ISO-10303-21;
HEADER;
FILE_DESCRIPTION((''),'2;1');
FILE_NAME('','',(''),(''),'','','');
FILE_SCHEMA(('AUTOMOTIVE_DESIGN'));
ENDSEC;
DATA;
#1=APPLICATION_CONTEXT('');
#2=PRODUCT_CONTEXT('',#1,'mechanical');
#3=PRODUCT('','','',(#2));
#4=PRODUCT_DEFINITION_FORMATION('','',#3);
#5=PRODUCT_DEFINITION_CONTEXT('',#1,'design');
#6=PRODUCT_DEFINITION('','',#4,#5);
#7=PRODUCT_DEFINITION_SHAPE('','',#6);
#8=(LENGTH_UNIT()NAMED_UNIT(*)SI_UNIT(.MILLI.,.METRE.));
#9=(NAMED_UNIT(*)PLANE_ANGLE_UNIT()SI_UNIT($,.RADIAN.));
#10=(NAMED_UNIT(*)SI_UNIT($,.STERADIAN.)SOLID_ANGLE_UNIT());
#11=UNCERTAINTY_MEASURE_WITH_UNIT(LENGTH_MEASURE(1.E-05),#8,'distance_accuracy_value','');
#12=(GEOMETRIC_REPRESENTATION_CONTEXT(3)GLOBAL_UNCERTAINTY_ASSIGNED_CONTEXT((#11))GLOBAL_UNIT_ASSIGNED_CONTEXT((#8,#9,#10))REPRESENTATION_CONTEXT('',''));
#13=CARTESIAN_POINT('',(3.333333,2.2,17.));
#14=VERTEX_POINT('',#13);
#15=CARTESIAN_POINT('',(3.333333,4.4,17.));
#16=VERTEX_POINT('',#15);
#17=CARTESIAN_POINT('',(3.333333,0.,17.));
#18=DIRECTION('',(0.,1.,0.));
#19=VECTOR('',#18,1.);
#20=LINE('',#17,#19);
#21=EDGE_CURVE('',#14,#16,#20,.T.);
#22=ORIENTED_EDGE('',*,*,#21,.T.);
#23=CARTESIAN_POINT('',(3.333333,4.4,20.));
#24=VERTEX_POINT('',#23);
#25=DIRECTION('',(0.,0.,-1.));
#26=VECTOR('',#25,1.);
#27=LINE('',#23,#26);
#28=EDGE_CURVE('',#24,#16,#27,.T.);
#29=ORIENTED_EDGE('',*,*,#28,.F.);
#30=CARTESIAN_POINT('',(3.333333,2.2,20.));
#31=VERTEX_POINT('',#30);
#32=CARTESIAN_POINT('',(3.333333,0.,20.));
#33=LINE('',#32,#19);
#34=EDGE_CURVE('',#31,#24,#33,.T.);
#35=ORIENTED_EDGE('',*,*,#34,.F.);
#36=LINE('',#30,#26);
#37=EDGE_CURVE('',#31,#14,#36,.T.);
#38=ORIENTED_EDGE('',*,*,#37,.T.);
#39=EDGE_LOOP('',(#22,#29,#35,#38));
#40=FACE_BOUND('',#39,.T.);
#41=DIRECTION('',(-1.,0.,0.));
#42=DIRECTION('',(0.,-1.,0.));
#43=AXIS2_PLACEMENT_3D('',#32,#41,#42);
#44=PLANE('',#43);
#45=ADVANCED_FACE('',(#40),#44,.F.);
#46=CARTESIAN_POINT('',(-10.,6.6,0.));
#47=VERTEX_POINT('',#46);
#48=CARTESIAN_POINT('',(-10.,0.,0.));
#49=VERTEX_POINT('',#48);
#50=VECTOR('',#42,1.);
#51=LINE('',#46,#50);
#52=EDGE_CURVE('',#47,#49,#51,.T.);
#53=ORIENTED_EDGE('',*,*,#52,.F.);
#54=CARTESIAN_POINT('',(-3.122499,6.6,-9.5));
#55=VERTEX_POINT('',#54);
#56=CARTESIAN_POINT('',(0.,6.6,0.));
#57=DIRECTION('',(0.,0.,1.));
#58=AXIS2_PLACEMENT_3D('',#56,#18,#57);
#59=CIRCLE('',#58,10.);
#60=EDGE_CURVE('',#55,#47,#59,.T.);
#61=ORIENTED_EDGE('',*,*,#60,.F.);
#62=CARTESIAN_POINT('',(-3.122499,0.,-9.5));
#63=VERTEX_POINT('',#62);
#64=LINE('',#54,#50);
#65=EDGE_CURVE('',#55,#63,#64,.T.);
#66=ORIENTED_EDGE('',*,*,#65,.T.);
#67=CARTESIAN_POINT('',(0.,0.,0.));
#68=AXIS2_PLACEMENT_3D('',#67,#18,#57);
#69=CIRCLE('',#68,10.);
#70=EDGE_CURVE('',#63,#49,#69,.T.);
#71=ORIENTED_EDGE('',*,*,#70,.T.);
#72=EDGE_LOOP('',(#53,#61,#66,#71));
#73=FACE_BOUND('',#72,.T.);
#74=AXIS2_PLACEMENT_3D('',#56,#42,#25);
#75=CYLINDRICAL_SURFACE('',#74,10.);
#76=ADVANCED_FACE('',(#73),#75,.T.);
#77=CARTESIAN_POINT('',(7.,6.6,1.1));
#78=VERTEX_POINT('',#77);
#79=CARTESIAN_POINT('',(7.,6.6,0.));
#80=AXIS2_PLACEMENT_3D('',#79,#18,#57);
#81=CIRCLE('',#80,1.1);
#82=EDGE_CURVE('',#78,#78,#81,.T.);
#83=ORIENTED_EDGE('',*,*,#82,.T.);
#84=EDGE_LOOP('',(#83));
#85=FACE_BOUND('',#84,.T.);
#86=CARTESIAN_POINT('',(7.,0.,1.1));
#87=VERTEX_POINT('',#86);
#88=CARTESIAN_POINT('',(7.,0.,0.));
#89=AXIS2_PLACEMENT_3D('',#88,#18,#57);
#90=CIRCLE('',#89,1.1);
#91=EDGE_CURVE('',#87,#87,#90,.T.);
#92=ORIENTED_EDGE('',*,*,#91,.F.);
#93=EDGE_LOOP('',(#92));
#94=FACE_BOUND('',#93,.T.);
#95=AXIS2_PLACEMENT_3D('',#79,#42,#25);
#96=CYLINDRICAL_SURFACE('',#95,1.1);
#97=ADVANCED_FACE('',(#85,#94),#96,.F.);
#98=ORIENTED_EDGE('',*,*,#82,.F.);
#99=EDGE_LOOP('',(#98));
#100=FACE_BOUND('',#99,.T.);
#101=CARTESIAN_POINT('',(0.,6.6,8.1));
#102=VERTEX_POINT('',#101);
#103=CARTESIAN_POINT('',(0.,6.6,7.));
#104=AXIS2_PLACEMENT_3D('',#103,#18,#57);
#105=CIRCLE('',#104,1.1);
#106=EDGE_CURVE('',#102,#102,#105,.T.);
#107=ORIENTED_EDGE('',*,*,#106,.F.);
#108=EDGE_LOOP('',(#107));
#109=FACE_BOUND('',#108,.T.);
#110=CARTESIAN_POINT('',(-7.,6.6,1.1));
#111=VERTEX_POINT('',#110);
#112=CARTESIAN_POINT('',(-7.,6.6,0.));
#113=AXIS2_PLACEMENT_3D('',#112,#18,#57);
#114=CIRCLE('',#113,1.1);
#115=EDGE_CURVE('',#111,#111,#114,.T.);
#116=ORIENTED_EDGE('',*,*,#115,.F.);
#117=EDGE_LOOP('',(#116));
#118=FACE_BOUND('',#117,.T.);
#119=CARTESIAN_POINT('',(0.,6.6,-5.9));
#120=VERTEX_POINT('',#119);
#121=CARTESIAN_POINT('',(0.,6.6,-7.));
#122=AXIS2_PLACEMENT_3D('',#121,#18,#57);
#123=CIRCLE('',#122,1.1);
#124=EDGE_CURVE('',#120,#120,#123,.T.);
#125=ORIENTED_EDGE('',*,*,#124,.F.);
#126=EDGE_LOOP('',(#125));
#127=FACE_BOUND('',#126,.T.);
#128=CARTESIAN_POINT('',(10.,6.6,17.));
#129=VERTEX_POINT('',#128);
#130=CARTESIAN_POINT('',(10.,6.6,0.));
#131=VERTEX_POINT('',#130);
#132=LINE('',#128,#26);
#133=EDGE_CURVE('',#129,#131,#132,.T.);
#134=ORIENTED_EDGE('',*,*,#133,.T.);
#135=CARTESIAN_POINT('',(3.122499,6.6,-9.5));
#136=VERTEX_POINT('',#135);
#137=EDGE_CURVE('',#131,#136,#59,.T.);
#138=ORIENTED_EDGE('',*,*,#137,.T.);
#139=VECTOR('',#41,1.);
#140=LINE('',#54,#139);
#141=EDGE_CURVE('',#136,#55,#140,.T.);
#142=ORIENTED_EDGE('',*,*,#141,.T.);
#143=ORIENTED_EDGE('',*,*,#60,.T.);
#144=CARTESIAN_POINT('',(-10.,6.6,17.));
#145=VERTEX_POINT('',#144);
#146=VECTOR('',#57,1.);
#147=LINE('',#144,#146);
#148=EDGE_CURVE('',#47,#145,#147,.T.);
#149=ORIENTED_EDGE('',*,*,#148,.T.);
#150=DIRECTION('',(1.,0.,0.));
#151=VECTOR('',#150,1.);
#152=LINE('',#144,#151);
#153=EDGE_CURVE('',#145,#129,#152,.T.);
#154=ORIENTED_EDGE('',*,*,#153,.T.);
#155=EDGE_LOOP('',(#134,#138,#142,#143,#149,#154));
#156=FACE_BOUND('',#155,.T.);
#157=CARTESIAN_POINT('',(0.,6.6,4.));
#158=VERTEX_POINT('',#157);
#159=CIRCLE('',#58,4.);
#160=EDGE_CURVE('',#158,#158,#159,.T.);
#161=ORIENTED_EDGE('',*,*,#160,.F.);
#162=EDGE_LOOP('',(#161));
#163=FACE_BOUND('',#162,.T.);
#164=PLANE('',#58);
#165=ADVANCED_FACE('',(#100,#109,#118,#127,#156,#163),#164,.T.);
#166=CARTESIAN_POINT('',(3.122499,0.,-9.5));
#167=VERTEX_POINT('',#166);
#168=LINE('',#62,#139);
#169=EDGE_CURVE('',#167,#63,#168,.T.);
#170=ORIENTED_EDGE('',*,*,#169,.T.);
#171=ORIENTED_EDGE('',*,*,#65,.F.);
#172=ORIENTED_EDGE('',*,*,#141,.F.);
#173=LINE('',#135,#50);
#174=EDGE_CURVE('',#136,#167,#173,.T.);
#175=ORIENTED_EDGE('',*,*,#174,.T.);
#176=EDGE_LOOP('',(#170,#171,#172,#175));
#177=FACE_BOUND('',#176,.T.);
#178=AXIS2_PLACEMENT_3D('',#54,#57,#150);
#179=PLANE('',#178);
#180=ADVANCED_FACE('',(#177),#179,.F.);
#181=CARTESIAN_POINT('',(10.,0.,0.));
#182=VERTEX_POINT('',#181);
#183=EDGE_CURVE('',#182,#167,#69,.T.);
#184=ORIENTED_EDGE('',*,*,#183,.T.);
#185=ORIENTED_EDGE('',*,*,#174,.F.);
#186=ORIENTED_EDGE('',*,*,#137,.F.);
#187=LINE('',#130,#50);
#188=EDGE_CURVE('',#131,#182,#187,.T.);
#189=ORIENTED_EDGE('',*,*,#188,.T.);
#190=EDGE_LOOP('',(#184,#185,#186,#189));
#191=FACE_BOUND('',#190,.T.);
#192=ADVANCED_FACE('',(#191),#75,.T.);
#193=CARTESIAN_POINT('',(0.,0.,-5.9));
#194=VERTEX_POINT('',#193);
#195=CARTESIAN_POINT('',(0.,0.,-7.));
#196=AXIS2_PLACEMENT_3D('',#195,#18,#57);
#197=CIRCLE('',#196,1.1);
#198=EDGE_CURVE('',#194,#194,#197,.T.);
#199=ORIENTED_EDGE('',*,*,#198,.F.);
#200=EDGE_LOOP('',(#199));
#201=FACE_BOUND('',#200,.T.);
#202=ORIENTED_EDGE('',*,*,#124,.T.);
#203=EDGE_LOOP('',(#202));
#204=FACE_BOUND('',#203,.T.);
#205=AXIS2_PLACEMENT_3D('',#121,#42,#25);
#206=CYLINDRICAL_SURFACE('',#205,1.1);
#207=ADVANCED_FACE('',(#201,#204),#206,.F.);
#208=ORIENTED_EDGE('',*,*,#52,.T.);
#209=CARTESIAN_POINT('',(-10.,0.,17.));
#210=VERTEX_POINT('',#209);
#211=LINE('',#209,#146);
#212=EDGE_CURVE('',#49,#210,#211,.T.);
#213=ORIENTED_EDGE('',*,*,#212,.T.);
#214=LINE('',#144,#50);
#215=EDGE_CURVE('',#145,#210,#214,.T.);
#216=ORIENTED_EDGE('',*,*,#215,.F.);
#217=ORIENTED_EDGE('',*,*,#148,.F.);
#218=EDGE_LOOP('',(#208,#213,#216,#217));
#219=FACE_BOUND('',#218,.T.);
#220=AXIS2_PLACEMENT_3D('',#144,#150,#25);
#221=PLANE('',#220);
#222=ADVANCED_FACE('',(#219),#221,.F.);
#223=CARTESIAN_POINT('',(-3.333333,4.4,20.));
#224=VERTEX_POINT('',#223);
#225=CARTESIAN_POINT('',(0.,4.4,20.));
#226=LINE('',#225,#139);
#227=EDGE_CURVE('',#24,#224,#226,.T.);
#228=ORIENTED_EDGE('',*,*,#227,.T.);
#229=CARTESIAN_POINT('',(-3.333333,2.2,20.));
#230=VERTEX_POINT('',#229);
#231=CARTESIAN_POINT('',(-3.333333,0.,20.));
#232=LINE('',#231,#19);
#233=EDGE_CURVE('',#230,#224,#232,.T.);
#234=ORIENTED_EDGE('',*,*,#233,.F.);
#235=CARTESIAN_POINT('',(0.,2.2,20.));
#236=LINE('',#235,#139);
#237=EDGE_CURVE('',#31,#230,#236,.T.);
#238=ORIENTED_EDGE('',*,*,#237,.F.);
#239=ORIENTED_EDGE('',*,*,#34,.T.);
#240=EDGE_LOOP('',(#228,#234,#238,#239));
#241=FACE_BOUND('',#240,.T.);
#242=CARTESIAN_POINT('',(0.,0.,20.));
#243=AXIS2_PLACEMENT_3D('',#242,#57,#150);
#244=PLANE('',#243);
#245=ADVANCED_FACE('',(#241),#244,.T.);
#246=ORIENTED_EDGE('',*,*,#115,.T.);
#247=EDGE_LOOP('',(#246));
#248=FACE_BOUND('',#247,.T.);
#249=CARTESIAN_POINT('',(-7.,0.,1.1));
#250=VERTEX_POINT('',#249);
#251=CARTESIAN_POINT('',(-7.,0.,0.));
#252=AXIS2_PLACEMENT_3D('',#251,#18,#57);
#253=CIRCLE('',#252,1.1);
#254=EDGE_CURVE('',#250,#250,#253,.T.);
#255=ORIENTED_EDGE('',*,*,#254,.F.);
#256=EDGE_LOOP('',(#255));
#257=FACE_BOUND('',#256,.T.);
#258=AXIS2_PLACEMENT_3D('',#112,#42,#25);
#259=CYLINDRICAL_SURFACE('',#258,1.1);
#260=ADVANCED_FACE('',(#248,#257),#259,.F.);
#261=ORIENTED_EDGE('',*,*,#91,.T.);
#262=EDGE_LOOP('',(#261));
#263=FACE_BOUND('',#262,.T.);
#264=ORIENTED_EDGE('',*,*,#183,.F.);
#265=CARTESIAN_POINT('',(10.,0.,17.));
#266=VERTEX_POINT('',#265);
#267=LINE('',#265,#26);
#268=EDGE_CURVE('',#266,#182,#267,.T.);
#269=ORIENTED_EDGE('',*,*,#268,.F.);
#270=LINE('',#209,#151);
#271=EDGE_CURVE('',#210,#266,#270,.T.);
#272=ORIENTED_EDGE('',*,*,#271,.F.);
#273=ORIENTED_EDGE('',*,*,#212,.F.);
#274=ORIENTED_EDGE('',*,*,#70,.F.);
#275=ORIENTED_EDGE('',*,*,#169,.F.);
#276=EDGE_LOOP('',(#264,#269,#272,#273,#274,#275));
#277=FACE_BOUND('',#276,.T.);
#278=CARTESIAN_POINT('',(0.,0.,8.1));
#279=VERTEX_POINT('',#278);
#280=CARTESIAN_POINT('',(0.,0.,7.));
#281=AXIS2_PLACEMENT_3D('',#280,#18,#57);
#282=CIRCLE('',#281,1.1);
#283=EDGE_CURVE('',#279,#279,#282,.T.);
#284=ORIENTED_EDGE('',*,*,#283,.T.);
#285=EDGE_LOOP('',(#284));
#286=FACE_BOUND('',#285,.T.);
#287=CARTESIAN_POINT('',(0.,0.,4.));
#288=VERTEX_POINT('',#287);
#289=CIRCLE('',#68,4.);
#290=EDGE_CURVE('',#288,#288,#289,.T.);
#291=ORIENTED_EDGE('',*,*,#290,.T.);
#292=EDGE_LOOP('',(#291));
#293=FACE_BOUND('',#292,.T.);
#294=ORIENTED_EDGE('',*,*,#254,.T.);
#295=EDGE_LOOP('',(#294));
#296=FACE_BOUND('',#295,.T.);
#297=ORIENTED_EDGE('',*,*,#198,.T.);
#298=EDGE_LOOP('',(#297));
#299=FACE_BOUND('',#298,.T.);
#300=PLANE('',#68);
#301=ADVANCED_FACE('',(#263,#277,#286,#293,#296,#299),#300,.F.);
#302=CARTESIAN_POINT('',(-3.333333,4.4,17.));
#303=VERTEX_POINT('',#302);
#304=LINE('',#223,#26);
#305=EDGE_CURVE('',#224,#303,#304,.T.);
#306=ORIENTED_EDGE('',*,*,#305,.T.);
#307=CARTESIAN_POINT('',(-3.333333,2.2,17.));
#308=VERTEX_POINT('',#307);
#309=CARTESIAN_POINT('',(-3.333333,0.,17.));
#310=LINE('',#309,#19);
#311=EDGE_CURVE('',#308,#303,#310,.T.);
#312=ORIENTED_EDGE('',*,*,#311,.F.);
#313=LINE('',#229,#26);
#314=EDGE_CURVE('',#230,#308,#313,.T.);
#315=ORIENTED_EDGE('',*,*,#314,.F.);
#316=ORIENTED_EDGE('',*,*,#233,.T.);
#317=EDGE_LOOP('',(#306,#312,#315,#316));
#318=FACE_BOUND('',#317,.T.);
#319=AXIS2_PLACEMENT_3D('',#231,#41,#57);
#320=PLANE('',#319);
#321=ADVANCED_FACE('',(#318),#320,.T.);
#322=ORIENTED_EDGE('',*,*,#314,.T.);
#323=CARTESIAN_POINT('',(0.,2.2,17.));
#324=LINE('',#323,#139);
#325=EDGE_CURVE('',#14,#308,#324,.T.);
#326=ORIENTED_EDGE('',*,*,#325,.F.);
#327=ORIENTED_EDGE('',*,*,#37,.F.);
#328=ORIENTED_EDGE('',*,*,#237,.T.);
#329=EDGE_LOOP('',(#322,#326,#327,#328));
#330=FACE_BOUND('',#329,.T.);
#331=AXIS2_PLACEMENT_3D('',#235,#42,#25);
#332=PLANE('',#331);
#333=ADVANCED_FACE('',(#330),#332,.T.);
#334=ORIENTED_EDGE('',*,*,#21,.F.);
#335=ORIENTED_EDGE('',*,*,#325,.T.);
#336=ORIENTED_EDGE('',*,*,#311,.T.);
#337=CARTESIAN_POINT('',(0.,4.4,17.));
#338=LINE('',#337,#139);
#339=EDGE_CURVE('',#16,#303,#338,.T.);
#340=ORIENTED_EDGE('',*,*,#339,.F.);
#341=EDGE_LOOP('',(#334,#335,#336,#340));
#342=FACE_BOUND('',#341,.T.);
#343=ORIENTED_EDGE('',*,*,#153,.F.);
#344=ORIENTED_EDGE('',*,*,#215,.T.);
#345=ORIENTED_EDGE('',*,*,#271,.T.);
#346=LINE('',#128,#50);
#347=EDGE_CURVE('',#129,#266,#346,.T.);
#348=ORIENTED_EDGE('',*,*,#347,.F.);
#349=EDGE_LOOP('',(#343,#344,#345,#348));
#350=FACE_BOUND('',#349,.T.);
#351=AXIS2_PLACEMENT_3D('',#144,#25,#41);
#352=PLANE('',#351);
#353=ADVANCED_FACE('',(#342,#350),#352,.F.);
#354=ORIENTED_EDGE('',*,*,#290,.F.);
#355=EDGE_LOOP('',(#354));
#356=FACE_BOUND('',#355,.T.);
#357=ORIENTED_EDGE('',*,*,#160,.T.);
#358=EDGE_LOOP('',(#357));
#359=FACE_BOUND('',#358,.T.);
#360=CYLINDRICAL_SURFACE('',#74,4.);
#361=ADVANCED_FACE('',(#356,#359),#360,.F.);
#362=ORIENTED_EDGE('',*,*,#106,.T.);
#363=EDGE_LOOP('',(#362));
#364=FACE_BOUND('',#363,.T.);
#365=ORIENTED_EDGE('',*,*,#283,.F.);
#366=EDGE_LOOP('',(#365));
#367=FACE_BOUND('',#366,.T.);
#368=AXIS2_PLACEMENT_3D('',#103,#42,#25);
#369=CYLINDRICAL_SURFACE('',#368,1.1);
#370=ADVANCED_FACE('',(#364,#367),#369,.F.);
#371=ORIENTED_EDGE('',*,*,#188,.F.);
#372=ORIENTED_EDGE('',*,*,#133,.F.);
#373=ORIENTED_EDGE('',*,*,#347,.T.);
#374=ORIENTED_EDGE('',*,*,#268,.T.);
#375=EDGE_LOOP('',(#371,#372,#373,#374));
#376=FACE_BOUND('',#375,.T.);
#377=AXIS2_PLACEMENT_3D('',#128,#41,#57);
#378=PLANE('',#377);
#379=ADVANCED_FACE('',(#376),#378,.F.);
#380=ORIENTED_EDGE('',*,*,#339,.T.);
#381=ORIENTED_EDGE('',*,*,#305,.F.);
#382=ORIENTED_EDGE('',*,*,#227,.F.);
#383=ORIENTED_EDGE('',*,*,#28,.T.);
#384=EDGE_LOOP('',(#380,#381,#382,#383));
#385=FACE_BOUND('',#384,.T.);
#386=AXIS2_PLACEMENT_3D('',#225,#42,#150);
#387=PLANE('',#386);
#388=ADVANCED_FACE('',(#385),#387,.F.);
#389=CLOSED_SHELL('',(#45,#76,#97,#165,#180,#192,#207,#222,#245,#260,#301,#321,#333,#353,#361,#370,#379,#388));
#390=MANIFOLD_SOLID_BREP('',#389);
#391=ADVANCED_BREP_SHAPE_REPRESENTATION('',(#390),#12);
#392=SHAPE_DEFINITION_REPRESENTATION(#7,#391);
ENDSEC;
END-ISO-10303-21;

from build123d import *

# Parameters (mm, degrees)
SKETCH_1_R      = 4
SKETCH_1_R_2    = 1.1
EXTRUDE_2_DEPTH = 6.6
SKETCH_2_W      = 6.666666666
SKETCH_2_H      = 2.2
EXTRUDE_3_DEPTH = 3


with BuildPart() as part:
    # 草图1 → 凸台-拉伸2 (new body)
    with BuildSketch(Plane(origin=(0, 0, 0), x_dir=(1, 0, 0), z_dir=(0, 1, 0))):
        with BuildLine():
            Line((-10, -17), (10, -17))
            Line((10, -17), (10, 0))
            ThreePointArc((10, 0), (8.100154011, 5.864086033), (3.122498999, 9.5))
            Line((3.122498999, 9.5), (-3.122498999, 9.5))
            ThreePointArc((-3.122498999, 9.5), (-8.100154011, 5.864086033), (-10, 0))
            Line((-10, 0), (-10, -17))
        make_face()
        with Locations(Location((0, 0, 0), (0, 0, 270))):
            Circle(SKETCH_1_R, mode=Mode.SUBTRACT)
        with Locations(Location((-7, 0, 0), (0, 0, 270))):
            Circle(SKETCH_1_R_2, mode=Mode.SUBTRACT)
        with Locations(Location((0, 7, 0), (0, 0, 270))):
            Circle(SKETCH_1_R_2, mode=Mode.SUBTRACT)
        with Locations(Location((7, 0, 0), (0, 0, 270))):
            Circle(SKETCH_1_R_2, mode=Mode.SUBTRACT)
        with Locations(Location((0, -7, 0), (0, 0, 270))):
            Circle(SKETCH_1_R_2, mode=Mode.SUBTRACT)
    extrude(amount=EXTRUDE_2_DEPTH)

    # 草图2 → 凸台-拉伸3 (add)
    with BuildSketch(Plane.XY.offset(17)):
        with Locations((0, 3.3)):
            Rectangle(SKETCH_2_W, SKETCH_2_H)
    extrude(amount=EXTRUDE_3_DEPTH)


solid = part.part
